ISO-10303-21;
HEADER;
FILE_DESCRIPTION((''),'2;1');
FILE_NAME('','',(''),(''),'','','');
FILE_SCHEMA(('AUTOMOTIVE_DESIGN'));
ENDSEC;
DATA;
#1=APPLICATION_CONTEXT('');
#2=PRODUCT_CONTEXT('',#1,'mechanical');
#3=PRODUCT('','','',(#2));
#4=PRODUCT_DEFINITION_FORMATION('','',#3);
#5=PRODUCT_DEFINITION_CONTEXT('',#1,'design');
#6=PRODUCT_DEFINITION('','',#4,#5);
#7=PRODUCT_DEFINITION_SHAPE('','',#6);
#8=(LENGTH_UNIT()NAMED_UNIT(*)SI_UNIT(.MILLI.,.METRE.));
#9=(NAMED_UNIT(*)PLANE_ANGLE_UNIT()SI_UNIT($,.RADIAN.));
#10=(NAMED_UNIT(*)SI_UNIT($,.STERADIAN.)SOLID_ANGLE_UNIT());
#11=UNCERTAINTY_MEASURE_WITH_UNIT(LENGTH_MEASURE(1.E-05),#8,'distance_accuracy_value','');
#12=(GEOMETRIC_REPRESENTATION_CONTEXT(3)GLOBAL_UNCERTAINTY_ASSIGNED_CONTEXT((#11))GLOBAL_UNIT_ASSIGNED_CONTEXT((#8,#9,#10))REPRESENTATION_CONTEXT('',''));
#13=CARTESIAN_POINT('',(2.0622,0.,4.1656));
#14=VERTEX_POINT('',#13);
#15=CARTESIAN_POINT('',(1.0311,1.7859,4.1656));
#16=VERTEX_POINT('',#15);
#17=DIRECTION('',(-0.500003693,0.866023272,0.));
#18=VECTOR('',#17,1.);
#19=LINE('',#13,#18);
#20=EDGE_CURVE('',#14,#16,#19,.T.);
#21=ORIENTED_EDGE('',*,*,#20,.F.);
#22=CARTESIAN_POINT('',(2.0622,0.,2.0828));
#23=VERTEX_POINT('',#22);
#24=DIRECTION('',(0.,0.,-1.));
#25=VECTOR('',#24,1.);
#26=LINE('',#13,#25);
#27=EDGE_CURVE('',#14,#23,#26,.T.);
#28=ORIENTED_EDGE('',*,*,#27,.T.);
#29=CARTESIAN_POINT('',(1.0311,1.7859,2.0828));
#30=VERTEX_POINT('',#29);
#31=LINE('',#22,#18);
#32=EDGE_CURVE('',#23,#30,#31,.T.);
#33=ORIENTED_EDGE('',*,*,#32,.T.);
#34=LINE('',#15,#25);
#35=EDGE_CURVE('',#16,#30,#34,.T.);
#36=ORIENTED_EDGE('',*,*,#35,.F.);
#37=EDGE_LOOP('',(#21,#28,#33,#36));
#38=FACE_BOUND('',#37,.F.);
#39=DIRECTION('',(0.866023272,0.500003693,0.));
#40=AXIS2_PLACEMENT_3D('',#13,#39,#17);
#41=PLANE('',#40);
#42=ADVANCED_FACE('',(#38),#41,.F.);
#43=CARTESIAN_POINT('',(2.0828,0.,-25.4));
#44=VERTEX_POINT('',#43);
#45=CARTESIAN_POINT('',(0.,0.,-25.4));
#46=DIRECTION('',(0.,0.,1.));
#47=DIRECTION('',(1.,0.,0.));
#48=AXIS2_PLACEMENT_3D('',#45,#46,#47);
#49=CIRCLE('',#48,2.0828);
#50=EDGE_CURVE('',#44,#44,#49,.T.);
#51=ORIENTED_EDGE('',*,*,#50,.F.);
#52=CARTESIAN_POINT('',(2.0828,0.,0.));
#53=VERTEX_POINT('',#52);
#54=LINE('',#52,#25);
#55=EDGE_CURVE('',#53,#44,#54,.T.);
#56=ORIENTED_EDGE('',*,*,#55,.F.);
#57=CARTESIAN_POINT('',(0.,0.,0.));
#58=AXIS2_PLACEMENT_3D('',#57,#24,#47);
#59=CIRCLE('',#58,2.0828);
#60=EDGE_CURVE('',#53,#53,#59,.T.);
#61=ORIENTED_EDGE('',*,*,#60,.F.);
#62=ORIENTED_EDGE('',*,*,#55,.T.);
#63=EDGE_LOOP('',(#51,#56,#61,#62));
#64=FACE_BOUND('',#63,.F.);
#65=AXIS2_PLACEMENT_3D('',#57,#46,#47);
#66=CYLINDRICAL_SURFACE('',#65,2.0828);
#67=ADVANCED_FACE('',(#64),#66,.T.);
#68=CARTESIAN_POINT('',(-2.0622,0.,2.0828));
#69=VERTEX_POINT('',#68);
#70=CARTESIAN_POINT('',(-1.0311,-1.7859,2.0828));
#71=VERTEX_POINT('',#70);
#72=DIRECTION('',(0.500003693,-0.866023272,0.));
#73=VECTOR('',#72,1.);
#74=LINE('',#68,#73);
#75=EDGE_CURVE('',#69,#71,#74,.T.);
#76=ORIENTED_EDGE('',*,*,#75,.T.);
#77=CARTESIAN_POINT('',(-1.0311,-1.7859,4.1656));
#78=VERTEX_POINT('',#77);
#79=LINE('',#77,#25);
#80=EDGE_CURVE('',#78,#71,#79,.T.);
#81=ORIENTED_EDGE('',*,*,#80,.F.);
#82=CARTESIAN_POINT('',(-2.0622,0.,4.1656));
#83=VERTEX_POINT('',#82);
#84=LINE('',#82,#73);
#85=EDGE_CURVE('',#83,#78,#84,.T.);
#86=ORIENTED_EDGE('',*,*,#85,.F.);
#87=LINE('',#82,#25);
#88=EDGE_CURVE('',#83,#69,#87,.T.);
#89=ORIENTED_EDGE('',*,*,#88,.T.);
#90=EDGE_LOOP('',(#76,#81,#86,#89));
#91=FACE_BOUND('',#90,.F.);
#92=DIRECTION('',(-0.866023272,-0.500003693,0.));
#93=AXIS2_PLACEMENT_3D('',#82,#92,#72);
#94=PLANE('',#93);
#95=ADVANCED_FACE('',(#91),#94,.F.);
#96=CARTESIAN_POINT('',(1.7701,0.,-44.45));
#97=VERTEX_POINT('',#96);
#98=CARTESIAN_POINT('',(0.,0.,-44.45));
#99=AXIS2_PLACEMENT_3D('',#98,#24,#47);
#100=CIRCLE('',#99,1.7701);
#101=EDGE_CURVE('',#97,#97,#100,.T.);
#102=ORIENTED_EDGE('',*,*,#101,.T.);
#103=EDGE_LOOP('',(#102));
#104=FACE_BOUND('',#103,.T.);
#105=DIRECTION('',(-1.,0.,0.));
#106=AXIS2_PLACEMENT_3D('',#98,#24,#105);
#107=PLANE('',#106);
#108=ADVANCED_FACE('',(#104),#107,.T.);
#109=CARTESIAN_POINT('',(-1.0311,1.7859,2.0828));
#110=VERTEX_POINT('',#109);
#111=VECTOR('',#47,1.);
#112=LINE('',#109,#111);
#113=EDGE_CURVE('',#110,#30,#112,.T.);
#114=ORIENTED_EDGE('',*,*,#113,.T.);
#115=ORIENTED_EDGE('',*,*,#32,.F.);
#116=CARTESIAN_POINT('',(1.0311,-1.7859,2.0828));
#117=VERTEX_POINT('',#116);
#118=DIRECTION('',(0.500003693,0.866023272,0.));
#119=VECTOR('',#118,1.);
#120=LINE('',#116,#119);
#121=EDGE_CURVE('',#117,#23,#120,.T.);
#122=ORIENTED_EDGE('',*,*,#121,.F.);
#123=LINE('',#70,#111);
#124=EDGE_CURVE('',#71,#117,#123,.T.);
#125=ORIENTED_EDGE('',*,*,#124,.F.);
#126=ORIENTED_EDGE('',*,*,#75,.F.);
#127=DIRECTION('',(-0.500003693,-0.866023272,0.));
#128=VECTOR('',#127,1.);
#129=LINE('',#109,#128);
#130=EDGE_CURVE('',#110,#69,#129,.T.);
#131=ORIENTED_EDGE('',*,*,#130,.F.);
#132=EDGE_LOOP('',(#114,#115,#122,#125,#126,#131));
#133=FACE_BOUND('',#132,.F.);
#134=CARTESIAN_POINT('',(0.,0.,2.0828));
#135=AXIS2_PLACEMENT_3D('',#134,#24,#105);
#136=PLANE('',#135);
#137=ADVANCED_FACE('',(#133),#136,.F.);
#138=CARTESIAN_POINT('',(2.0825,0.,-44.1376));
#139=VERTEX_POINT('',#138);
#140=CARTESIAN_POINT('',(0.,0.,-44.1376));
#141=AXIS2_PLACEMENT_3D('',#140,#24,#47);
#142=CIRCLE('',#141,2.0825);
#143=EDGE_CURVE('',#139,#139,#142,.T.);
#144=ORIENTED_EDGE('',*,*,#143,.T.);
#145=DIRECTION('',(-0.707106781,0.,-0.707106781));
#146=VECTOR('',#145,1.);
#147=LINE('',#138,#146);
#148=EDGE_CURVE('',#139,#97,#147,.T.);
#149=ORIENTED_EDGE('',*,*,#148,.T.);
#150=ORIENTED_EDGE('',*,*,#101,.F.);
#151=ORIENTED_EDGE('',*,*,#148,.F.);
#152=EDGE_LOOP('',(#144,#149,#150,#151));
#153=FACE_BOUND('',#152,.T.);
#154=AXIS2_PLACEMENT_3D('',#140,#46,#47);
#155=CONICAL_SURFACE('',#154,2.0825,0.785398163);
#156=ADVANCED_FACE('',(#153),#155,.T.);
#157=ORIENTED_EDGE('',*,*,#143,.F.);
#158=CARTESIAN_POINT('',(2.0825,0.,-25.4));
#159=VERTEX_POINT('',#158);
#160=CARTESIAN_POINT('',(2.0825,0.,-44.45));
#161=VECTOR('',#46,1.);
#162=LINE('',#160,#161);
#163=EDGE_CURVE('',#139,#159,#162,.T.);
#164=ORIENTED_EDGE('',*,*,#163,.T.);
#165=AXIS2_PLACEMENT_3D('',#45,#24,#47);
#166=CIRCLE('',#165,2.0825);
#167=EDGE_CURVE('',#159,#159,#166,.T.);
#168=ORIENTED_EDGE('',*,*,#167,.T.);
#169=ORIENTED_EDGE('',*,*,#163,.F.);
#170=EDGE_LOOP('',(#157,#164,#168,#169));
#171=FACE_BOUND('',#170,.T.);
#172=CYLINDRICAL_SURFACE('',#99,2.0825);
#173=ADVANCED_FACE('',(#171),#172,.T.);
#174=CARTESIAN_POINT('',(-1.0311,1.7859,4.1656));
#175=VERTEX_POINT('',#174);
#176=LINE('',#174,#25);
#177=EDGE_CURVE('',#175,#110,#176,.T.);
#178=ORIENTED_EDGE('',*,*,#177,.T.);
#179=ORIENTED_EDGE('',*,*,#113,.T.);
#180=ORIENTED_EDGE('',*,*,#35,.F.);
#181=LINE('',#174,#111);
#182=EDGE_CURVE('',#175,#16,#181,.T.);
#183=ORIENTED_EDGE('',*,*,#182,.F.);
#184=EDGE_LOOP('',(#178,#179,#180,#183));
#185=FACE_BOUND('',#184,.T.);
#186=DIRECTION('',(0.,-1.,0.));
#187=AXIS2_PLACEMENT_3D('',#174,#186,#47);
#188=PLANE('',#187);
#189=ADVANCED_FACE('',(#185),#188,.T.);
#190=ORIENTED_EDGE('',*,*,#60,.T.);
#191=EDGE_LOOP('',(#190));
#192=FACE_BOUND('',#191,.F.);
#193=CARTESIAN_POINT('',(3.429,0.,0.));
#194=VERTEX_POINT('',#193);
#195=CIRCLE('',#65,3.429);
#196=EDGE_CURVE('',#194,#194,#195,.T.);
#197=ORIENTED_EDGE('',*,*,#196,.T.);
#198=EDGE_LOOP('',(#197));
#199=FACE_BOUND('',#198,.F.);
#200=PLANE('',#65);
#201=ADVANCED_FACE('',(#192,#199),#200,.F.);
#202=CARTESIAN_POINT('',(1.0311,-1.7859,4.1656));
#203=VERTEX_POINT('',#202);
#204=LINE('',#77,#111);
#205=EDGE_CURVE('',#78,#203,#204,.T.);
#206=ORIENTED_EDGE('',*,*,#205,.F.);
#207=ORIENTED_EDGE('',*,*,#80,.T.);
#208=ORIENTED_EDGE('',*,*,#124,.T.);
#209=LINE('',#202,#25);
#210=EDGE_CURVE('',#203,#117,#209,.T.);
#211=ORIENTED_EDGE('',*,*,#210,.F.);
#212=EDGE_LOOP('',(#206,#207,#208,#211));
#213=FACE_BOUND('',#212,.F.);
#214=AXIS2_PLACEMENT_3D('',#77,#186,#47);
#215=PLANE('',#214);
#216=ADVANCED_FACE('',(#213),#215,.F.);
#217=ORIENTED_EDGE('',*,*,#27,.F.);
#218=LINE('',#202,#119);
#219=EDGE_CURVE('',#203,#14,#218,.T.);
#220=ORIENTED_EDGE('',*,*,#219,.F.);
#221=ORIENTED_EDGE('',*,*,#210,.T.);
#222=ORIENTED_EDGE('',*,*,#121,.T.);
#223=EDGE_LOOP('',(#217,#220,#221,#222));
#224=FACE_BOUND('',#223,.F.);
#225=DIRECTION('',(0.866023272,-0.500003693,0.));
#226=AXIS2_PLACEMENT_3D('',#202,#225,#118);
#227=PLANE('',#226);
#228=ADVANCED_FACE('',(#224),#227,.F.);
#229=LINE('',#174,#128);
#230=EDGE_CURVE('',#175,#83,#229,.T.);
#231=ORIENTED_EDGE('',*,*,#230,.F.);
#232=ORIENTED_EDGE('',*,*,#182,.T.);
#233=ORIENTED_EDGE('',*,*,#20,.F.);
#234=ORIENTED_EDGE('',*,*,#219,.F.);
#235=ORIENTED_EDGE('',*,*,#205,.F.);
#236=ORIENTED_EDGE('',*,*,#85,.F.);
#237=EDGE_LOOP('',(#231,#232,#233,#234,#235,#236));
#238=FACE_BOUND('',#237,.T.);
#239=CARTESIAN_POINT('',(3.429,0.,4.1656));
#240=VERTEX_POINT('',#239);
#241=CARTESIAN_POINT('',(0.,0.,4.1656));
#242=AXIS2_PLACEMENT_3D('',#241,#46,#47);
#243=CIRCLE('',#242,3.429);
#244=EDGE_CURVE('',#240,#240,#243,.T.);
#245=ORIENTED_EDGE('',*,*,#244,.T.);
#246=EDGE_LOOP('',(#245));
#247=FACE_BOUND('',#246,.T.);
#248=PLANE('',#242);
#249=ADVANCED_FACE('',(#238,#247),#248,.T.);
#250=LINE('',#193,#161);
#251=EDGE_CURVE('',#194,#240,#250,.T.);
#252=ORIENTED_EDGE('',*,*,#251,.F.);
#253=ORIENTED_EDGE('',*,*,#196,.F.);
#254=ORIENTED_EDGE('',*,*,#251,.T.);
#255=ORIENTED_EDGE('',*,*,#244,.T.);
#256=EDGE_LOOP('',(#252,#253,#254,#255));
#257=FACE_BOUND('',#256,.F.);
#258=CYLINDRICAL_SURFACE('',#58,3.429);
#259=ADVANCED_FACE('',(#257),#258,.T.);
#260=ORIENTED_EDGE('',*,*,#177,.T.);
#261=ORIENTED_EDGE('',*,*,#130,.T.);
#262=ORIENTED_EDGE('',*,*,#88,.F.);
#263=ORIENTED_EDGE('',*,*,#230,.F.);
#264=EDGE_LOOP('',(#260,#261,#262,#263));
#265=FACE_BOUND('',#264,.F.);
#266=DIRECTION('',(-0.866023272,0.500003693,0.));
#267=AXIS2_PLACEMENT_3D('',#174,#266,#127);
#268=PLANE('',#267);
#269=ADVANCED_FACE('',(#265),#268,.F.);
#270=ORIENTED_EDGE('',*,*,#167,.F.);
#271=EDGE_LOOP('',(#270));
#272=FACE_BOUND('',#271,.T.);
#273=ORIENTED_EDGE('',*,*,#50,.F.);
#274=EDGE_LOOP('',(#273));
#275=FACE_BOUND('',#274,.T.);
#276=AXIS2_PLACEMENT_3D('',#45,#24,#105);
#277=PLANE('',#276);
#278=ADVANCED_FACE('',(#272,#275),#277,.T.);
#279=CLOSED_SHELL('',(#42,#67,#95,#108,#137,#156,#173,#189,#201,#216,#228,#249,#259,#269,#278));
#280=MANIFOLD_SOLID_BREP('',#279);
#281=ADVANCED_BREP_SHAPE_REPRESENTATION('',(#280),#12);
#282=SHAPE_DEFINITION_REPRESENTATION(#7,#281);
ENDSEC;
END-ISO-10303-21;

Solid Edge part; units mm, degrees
sketch "Sketch1" plane through (0, 0, 0) normal (0, 0, 1) x (1, 0, 0)
  circle A0 centre (0, 0) radius 3.429
  dimension "D1" = 6.858
extrude "Protrusion1" add sketch "Sketch1" along normal blind 4.1656
sketch "Sketch2" plane through (0, 0, 0) normal (0, 0, -1) x (1, 0, 0)
  circle A0 centre (0, 0) radius 2.0828
extrude "Protrusion2" add sketch "Sketch2" along normal blind 44.45
sketch "Sketch3" plane through (0, 0, -44.45) normal (0, 0, -1) x (1, 0, 0)
  circle A0 centre (0, 0) radius 2.0825
extrude "Cutout1" cut sketch "Sketch3" against normal blind 19.05 flip side to cut
chamfer "Chamfer_1" distance 0.3124 angle 45 1 edges at (-2.0825, 0, -44.45)
sketch "Sketch4" plane through (0, 0, 4.1656) normal (0, 0, 1) x (1, 0, 0)
  line L0 (-1.0311, 1.7859) -> (1.0311, 1.7859)
  line L1 (2.0622, 0) -> (1.0311, 1.7859)
  line L2 (1.0311, -1.7859) -> (2.0622, 0)
  line L3 (-1.0311, -1.7859) -> (1.0311, -1.7859)
  line L4 (-2.0622, 0) -> (-1.0311, -1.7859)
  line L5 (-1.0311, 1.7859) -> (-2.0622, 0)
  dimension "D1" = 3.5719
extrude "Cutout2" cut sketch "Sketch4" against normal blind 2.0828
properties part number "123257"
